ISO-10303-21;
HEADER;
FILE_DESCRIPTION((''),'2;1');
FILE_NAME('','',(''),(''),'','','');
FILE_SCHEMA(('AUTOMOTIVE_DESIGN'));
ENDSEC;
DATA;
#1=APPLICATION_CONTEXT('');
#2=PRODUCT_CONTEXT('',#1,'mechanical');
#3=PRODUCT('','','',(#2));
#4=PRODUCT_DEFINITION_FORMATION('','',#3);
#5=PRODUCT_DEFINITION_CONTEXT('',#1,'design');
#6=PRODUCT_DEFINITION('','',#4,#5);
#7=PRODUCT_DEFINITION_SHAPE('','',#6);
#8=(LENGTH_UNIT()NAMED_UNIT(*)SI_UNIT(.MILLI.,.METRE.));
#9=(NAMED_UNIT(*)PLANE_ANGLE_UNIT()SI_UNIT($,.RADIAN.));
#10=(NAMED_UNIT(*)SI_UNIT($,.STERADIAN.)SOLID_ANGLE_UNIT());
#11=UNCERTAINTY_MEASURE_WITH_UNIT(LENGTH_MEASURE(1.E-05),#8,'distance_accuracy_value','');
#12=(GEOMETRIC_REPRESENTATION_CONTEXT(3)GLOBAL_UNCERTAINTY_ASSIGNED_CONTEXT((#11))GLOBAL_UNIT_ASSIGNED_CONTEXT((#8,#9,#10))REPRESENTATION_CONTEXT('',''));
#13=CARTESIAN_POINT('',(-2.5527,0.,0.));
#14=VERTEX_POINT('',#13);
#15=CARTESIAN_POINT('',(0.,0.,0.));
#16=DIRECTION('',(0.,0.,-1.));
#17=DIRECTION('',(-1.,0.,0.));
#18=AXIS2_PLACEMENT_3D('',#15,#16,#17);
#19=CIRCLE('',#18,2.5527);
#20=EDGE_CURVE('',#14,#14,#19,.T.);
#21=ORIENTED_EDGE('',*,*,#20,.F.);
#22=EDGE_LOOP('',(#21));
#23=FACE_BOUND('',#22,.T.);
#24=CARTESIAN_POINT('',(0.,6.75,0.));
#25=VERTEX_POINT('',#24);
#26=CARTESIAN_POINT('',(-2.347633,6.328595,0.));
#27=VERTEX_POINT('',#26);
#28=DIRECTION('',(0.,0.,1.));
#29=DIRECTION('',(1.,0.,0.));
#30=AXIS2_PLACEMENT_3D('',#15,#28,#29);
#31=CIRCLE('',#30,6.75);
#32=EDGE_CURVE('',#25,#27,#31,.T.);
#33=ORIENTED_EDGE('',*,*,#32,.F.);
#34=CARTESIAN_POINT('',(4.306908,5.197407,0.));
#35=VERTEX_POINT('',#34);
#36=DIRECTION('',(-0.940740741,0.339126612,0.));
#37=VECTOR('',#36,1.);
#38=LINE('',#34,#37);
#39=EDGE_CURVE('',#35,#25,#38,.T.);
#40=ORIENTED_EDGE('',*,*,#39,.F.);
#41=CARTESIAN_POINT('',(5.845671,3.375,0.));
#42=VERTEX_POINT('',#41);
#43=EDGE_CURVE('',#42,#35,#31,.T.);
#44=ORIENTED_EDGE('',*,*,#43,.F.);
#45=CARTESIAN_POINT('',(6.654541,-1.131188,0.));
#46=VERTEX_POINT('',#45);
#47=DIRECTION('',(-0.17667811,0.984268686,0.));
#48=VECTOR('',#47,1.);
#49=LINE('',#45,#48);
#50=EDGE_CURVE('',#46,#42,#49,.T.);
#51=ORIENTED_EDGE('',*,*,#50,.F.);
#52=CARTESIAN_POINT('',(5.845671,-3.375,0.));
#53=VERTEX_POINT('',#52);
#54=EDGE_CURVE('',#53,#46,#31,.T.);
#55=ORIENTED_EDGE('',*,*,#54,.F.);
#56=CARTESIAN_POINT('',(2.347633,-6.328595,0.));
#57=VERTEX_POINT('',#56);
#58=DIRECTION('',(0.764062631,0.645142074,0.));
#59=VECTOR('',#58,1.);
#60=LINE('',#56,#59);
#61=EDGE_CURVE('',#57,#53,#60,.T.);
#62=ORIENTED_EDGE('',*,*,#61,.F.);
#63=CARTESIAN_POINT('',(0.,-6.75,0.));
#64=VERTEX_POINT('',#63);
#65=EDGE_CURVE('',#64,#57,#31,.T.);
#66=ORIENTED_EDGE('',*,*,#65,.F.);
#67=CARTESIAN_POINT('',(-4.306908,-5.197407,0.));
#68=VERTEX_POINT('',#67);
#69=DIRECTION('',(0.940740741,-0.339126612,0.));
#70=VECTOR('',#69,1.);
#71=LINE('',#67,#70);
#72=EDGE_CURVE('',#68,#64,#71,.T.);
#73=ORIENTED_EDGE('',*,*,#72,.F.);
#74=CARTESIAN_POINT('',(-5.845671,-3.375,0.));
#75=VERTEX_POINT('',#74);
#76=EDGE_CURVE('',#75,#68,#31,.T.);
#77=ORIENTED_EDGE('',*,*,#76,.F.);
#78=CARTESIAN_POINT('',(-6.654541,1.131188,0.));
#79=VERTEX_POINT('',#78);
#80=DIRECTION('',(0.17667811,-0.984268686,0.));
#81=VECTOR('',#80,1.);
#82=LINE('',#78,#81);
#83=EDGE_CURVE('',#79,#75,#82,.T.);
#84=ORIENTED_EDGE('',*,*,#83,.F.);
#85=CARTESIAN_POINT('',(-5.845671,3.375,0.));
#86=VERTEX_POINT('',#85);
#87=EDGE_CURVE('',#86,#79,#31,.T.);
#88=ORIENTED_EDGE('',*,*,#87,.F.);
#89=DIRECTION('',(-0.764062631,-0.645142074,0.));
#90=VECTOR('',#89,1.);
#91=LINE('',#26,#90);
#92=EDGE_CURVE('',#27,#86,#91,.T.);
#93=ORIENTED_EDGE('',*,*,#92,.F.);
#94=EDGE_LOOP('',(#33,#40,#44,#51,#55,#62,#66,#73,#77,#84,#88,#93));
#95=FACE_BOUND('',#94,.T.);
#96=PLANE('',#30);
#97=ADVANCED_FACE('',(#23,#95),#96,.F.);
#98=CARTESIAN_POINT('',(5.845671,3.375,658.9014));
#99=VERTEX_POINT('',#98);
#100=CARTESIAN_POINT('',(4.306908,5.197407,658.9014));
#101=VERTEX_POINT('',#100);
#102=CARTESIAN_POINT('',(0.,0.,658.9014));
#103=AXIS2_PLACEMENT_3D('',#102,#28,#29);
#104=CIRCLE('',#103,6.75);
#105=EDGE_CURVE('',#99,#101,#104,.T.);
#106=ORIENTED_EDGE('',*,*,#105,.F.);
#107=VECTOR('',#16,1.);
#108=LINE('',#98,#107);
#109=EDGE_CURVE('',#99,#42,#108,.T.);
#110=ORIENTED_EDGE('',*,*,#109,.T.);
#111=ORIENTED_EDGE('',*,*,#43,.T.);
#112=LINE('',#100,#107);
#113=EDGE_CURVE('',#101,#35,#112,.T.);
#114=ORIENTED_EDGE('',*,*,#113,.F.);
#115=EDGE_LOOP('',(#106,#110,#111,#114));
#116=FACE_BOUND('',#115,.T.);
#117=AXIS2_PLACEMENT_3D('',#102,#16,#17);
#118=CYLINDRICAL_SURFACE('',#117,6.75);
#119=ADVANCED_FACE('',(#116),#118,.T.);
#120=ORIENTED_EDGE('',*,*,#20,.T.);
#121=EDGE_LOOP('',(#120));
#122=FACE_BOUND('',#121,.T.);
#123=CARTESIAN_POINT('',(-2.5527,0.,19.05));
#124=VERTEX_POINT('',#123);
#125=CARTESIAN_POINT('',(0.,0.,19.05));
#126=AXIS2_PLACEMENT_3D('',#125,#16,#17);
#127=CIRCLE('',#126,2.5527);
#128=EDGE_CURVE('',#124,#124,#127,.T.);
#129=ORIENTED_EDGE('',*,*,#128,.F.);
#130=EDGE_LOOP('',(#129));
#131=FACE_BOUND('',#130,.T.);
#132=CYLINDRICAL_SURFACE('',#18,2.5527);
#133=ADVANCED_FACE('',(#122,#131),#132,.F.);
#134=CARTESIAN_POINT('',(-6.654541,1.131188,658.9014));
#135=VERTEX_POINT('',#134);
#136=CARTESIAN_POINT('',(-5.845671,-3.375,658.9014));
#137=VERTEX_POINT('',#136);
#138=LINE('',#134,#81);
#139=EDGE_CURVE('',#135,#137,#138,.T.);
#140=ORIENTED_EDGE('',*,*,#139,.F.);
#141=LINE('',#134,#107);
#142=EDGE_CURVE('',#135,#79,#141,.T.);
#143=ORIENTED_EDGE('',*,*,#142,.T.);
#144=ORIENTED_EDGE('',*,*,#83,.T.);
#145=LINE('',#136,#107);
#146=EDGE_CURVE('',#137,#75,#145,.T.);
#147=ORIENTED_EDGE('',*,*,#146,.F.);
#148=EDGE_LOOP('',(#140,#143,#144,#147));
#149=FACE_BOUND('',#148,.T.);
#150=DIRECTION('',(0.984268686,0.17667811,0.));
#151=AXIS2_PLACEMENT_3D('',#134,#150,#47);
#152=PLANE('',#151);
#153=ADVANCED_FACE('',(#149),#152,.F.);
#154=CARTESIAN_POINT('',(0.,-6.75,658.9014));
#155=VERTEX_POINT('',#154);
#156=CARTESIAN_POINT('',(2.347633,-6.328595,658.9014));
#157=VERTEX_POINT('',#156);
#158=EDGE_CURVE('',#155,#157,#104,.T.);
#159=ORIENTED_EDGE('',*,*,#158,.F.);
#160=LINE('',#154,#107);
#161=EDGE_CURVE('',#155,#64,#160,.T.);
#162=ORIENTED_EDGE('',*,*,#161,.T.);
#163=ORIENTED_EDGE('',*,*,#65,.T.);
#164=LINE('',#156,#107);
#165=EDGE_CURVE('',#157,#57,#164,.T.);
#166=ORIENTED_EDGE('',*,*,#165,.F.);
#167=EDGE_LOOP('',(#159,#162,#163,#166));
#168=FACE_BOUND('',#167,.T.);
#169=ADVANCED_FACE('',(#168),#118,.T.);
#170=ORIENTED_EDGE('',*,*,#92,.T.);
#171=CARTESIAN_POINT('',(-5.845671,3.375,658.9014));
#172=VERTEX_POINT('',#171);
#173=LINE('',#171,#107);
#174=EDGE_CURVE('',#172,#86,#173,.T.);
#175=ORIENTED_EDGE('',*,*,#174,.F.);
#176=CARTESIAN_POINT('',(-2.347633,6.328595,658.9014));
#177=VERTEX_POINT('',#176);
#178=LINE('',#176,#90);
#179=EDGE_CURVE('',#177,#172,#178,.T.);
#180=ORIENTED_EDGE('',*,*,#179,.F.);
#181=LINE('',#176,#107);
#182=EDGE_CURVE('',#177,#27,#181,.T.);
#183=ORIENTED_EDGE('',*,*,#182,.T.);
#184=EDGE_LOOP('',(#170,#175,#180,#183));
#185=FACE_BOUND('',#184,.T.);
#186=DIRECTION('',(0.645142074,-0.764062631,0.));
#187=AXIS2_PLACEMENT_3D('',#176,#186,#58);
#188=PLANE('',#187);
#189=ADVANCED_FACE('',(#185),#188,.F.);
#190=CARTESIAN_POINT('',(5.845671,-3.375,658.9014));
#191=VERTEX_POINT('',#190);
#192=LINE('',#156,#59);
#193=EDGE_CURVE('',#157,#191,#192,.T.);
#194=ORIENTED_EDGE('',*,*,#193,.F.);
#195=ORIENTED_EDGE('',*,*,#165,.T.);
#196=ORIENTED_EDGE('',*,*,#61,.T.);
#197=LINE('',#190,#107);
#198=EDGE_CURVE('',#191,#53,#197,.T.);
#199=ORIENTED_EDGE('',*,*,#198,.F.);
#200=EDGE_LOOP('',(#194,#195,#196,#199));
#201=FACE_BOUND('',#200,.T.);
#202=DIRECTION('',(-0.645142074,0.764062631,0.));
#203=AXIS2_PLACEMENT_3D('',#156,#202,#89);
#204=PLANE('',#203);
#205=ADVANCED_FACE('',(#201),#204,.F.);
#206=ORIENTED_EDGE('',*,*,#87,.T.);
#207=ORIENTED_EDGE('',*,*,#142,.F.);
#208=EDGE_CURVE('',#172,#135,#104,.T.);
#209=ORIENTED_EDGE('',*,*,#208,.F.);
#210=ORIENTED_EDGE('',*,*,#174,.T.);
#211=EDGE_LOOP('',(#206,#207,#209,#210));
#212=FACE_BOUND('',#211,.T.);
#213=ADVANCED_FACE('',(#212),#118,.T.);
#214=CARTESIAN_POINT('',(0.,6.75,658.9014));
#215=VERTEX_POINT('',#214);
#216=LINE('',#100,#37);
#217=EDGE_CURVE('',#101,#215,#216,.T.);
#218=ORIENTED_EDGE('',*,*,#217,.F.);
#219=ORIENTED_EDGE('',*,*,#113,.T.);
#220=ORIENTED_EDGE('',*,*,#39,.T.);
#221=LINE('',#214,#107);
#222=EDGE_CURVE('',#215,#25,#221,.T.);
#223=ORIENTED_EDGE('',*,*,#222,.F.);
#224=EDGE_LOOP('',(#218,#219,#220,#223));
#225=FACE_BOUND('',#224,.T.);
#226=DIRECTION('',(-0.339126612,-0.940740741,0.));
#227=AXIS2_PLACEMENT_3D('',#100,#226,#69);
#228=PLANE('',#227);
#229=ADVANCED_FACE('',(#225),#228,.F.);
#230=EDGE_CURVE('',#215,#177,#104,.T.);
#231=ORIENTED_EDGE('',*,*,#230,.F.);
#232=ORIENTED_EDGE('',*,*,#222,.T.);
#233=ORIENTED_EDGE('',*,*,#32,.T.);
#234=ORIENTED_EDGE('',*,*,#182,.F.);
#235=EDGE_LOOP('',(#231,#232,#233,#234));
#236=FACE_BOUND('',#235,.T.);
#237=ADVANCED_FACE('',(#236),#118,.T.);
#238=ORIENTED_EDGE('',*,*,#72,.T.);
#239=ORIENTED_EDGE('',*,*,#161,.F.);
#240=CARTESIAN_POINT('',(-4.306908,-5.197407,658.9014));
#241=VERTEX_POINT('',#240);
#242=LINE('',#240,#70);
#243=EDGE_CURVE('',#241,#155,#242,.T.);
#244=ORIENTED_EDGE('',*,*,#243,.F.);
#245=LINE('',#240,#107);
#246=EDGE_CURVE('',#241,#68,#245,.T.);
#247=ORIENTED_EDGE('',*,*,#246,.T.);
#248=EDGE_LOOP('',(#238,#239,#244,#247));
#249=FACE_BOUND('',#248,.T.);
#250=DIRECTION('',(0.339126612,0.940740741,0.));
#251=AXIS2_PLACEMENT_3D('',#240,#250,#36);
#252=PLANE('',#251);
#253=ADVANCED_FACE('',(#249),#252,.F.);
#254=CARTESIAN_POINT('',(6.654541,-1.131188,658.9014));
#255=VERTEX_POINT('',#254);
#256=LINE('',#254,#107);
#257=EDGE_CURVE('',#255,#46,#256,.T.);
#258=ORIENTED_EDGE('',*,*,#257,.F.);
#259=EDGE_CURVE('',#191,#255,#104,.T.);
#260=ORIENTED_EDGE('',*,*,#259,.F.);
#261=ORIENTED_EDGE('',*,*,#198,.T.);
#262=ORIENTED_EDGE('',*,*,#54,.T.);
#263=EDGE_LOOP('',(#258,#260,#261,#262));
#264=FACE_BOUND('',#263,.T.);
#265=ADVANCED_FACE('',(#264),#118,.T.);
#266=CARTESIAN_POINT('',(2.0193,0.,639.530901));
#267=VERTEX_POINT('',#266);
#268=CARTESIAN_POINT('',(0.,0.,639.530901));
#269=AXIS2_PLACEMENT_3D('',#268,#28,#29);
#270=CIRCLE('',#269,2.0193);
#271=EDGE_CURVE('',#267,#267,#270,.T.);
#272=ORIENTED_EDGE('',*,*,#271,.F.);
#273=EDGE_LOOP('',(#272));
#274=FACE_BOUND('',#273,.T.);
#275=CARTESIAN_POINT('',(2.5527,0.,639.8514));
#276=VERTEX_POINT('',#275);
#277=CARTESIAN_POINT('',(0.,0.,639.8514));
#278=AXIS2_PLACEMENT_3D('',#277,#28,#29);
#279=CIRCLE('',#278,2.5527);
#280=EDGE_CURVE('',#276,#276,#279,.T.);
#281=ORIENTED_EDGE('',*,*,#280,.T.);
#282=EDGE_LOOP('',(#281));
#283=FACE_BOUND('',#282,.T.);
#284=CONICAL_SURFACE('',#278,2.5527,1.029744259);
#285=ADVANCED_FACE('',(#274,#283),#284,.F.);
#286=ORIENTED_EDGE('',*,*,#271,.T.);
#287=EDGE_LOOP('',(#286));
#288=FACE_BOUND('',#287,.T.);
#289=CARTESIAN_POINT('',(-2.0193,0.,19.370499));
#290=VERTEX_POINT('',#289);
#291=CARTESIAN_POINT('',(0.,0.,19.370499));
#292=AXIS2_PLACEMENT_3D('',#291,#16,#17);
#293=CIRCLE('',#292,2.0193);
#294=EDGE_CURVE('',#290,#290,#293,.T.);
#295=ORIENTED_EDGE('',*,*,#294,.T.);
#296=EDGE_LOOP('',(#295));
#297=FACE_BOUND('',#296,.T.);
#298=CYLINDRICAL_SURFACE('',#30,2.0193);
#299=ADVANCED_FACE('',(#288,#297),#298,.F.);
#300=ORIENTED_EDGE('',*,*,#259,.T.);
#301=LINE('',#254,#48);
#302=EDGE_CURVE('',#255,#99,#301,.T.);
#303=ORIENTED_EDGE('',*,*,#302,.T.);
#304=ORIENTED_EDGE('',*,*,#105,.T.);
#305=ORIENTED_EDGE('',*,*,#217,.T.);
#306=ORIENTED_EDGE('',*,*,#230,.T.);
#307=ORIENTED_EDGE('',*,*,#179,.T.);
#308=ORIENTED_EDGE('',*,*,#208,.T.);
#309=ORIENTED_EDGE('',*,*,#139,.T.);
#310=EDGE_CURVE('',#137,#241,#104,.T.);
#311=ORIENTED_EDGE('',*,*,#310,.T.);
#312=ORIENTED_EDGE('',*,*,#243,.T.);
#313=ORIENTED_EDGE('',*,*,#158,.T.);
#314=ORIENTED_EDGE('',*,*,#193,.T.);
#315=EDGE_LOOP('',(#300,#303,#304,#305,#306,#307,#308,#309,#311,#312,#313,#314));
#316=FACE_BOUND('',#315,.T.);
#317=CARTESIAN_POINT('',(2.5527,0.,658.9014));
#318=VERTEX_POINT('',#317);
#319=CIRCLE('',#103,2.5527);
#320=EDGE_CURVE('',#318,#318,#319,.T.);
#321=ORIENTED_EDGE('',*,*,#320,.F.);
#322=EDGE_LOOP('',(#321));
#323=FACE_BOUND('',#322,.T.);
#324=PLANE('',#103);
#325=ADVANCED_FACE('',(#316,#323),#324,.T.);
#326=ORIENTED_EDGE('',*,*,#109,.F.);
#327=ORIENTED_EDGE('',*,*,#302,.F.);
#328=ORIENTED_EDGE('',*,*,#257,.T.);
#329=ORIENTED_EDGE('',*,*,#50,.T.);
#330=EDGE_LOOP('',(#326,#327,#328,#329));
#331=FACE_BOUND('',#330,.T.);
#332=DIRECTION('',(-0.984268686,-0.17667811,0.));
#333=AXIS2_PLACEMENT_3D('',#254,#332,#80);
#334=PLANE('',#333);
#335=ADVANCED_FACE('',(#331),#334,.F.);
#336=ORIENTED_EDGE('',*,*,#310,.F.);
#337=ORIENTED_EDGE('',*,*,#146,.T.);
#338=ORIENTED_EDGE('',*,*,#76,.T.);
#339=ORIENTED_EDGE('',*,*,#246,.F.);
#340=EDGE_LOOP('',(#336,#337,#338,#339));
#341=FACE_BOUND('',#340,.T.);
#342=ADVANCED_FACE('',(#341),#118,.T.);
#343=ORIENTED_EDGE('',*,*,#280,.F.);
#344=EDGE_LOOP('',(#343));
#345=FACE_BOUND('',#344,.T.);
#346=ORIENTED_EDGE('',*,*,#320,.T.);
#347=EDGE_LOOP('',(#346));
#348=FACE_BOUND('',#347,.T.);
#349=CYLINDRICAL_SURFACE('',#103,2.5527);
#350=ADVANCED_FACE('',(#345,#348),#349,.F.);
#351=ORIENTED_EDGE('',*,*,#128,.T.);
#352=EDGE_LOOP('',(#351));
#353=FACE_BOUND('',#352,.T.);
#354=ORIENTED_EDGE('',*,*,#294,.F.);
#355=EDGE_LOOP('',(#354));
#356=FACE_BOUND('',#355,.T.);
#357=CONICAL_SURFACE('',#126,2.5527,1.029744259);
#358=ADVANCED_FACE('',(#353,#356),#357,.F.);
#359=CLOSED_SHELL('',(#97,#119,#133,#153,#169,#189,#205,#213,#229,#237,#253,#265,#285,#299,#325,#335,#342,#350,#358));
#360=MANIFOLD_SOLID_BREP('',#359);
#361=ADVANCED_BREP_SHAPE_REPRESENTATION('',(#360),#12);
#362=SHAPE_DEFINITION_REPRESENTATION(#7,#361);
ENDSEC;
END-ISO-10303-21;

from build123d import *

# Parameters (mm, degrees)
BOSS_EXTRUDE1_DEPTH         = 658.9014
SKETCH2_R                   = 2.0193
CUT_EXTRUDE1_DEPTH          = 659.969574666
F_1_4_20_TAPPED_HOLE1_D     = 5.1054
F_1_4_20_TAPPED_HOLE1_DEPTH = 19.05
F_1_4_20_TAPPED_HOLE1_TIP   = 1.533816902
F_1_4_20_TAPPED_HOLE2_D     = 5.1054
F_1_4_20_TAPPED_HOLE2_DEPTH = 19.05
F_1_4_20_TAPPED_HOLE2_TIP   = 1.533816902


with BuildPart() as part:
    # Sketch1 → Boss-Extrude1 (new body)
    with BuildSketch(Plane.XY):
        with BuildLine():
            Line((-6.654540832, 1.131188008), (-5.845671476, -3.375))
            ThreePointArc((-5.845671476, -3.375), (-5.15742276, -4.354709), (-4.306907968, -5.197407407))
            Line((-4.306907968, -5.197407407), (0, -6.75))
            ThreePointArc((0, -6.75), (1.19257724, -6.643813628), (2.347632865, -6.328595415))
            Line((2.347632865, -6.328595415), (5.845671476, -3.375))
            ThreePointArc((5.845671476, -3.375), (6.35, -2.289104628), (6.654540832, -1.131188008))
            Line((6.654540832, -1.131188008), (5.845671476, 3.375))
            ThreePointArc((5.845671476, 3.375), (5.15742276, 4.354709), (4.306907968, 5.197407407))
            Line((4.306907968, 5.197407407), (0, 6.75))
            ThreePointArc((0, 6.75), (-1.19257724, 6.643813628), (-2.347632865, 6.328595415))
            Line((-2.347632865, 6.328595415), (-5.845671476, 3.375))
            ThreePointArc((-5.845671476, 3.375), (-6.35, 2.289104628), (-6.654540832, 1.131188008))
        make_face()
    extrude(amount=BOSS_EXTRUDE1_DEPTH)

    # Sketch2 → Cut-Extrude1 (cut, through all)
    with BuildSketch(Plane.XY.offset(658.9014)):
        Circle(SKETCH2_R)
    extrude(amount=-CUT_EXTRUDE1_DEPTH, mode=Mode.SUBTRACT)

    # 1/4-20 Tapped Hole1
    with Locations(Plane.XY.offset(658.9014)):
        with Locations((0, 0)):
            Hole(F_1_4_20_TAPPED_HOLE1_D / 2, depth=F_1_4_20_TAPPED_HOLE1_DEPTH)
            with Locations((0, 0, -(F_1_4_20_TAPPED_HOLE1_DEPTH + F_1_4_20_TAPPED_HOLE1_TIP / 2))):  # 118° drill point
                Cone(0, F_1_4_20_TAPPED_HOLE1_D / 2, F_1_4_20_TAPPED_HOLE1_TIP, mode=Mode.SUBTRACT)

    # 1/4-20 Tapped Hole2
    with Locations(Plane(origin=(0, 0, 0), x_dir=(-1, 0, 0), z_dir=(0, 0, -1))):
        with Locations((0, 0)):
            Hole(F_1_4_20_TAPPED_HOLE2_D / 2, depth=F_1_4_20_TAPPED_HOLE2_DEPTH)
            with Locations((0, 0, -(F_1_4_20_TAPPED_HOLE2_DEPTH + F_1_4_20_TAPPED_HOLE2_TIP / 2))):  # 118° drill point
                Cone(0, F_1_4_20_TAPPED_HOLE2_D / 2, F_1_4_20_TAPPED_HOLE2_TIP, mode=Mode.SUBTRACT)


solid = part.part
